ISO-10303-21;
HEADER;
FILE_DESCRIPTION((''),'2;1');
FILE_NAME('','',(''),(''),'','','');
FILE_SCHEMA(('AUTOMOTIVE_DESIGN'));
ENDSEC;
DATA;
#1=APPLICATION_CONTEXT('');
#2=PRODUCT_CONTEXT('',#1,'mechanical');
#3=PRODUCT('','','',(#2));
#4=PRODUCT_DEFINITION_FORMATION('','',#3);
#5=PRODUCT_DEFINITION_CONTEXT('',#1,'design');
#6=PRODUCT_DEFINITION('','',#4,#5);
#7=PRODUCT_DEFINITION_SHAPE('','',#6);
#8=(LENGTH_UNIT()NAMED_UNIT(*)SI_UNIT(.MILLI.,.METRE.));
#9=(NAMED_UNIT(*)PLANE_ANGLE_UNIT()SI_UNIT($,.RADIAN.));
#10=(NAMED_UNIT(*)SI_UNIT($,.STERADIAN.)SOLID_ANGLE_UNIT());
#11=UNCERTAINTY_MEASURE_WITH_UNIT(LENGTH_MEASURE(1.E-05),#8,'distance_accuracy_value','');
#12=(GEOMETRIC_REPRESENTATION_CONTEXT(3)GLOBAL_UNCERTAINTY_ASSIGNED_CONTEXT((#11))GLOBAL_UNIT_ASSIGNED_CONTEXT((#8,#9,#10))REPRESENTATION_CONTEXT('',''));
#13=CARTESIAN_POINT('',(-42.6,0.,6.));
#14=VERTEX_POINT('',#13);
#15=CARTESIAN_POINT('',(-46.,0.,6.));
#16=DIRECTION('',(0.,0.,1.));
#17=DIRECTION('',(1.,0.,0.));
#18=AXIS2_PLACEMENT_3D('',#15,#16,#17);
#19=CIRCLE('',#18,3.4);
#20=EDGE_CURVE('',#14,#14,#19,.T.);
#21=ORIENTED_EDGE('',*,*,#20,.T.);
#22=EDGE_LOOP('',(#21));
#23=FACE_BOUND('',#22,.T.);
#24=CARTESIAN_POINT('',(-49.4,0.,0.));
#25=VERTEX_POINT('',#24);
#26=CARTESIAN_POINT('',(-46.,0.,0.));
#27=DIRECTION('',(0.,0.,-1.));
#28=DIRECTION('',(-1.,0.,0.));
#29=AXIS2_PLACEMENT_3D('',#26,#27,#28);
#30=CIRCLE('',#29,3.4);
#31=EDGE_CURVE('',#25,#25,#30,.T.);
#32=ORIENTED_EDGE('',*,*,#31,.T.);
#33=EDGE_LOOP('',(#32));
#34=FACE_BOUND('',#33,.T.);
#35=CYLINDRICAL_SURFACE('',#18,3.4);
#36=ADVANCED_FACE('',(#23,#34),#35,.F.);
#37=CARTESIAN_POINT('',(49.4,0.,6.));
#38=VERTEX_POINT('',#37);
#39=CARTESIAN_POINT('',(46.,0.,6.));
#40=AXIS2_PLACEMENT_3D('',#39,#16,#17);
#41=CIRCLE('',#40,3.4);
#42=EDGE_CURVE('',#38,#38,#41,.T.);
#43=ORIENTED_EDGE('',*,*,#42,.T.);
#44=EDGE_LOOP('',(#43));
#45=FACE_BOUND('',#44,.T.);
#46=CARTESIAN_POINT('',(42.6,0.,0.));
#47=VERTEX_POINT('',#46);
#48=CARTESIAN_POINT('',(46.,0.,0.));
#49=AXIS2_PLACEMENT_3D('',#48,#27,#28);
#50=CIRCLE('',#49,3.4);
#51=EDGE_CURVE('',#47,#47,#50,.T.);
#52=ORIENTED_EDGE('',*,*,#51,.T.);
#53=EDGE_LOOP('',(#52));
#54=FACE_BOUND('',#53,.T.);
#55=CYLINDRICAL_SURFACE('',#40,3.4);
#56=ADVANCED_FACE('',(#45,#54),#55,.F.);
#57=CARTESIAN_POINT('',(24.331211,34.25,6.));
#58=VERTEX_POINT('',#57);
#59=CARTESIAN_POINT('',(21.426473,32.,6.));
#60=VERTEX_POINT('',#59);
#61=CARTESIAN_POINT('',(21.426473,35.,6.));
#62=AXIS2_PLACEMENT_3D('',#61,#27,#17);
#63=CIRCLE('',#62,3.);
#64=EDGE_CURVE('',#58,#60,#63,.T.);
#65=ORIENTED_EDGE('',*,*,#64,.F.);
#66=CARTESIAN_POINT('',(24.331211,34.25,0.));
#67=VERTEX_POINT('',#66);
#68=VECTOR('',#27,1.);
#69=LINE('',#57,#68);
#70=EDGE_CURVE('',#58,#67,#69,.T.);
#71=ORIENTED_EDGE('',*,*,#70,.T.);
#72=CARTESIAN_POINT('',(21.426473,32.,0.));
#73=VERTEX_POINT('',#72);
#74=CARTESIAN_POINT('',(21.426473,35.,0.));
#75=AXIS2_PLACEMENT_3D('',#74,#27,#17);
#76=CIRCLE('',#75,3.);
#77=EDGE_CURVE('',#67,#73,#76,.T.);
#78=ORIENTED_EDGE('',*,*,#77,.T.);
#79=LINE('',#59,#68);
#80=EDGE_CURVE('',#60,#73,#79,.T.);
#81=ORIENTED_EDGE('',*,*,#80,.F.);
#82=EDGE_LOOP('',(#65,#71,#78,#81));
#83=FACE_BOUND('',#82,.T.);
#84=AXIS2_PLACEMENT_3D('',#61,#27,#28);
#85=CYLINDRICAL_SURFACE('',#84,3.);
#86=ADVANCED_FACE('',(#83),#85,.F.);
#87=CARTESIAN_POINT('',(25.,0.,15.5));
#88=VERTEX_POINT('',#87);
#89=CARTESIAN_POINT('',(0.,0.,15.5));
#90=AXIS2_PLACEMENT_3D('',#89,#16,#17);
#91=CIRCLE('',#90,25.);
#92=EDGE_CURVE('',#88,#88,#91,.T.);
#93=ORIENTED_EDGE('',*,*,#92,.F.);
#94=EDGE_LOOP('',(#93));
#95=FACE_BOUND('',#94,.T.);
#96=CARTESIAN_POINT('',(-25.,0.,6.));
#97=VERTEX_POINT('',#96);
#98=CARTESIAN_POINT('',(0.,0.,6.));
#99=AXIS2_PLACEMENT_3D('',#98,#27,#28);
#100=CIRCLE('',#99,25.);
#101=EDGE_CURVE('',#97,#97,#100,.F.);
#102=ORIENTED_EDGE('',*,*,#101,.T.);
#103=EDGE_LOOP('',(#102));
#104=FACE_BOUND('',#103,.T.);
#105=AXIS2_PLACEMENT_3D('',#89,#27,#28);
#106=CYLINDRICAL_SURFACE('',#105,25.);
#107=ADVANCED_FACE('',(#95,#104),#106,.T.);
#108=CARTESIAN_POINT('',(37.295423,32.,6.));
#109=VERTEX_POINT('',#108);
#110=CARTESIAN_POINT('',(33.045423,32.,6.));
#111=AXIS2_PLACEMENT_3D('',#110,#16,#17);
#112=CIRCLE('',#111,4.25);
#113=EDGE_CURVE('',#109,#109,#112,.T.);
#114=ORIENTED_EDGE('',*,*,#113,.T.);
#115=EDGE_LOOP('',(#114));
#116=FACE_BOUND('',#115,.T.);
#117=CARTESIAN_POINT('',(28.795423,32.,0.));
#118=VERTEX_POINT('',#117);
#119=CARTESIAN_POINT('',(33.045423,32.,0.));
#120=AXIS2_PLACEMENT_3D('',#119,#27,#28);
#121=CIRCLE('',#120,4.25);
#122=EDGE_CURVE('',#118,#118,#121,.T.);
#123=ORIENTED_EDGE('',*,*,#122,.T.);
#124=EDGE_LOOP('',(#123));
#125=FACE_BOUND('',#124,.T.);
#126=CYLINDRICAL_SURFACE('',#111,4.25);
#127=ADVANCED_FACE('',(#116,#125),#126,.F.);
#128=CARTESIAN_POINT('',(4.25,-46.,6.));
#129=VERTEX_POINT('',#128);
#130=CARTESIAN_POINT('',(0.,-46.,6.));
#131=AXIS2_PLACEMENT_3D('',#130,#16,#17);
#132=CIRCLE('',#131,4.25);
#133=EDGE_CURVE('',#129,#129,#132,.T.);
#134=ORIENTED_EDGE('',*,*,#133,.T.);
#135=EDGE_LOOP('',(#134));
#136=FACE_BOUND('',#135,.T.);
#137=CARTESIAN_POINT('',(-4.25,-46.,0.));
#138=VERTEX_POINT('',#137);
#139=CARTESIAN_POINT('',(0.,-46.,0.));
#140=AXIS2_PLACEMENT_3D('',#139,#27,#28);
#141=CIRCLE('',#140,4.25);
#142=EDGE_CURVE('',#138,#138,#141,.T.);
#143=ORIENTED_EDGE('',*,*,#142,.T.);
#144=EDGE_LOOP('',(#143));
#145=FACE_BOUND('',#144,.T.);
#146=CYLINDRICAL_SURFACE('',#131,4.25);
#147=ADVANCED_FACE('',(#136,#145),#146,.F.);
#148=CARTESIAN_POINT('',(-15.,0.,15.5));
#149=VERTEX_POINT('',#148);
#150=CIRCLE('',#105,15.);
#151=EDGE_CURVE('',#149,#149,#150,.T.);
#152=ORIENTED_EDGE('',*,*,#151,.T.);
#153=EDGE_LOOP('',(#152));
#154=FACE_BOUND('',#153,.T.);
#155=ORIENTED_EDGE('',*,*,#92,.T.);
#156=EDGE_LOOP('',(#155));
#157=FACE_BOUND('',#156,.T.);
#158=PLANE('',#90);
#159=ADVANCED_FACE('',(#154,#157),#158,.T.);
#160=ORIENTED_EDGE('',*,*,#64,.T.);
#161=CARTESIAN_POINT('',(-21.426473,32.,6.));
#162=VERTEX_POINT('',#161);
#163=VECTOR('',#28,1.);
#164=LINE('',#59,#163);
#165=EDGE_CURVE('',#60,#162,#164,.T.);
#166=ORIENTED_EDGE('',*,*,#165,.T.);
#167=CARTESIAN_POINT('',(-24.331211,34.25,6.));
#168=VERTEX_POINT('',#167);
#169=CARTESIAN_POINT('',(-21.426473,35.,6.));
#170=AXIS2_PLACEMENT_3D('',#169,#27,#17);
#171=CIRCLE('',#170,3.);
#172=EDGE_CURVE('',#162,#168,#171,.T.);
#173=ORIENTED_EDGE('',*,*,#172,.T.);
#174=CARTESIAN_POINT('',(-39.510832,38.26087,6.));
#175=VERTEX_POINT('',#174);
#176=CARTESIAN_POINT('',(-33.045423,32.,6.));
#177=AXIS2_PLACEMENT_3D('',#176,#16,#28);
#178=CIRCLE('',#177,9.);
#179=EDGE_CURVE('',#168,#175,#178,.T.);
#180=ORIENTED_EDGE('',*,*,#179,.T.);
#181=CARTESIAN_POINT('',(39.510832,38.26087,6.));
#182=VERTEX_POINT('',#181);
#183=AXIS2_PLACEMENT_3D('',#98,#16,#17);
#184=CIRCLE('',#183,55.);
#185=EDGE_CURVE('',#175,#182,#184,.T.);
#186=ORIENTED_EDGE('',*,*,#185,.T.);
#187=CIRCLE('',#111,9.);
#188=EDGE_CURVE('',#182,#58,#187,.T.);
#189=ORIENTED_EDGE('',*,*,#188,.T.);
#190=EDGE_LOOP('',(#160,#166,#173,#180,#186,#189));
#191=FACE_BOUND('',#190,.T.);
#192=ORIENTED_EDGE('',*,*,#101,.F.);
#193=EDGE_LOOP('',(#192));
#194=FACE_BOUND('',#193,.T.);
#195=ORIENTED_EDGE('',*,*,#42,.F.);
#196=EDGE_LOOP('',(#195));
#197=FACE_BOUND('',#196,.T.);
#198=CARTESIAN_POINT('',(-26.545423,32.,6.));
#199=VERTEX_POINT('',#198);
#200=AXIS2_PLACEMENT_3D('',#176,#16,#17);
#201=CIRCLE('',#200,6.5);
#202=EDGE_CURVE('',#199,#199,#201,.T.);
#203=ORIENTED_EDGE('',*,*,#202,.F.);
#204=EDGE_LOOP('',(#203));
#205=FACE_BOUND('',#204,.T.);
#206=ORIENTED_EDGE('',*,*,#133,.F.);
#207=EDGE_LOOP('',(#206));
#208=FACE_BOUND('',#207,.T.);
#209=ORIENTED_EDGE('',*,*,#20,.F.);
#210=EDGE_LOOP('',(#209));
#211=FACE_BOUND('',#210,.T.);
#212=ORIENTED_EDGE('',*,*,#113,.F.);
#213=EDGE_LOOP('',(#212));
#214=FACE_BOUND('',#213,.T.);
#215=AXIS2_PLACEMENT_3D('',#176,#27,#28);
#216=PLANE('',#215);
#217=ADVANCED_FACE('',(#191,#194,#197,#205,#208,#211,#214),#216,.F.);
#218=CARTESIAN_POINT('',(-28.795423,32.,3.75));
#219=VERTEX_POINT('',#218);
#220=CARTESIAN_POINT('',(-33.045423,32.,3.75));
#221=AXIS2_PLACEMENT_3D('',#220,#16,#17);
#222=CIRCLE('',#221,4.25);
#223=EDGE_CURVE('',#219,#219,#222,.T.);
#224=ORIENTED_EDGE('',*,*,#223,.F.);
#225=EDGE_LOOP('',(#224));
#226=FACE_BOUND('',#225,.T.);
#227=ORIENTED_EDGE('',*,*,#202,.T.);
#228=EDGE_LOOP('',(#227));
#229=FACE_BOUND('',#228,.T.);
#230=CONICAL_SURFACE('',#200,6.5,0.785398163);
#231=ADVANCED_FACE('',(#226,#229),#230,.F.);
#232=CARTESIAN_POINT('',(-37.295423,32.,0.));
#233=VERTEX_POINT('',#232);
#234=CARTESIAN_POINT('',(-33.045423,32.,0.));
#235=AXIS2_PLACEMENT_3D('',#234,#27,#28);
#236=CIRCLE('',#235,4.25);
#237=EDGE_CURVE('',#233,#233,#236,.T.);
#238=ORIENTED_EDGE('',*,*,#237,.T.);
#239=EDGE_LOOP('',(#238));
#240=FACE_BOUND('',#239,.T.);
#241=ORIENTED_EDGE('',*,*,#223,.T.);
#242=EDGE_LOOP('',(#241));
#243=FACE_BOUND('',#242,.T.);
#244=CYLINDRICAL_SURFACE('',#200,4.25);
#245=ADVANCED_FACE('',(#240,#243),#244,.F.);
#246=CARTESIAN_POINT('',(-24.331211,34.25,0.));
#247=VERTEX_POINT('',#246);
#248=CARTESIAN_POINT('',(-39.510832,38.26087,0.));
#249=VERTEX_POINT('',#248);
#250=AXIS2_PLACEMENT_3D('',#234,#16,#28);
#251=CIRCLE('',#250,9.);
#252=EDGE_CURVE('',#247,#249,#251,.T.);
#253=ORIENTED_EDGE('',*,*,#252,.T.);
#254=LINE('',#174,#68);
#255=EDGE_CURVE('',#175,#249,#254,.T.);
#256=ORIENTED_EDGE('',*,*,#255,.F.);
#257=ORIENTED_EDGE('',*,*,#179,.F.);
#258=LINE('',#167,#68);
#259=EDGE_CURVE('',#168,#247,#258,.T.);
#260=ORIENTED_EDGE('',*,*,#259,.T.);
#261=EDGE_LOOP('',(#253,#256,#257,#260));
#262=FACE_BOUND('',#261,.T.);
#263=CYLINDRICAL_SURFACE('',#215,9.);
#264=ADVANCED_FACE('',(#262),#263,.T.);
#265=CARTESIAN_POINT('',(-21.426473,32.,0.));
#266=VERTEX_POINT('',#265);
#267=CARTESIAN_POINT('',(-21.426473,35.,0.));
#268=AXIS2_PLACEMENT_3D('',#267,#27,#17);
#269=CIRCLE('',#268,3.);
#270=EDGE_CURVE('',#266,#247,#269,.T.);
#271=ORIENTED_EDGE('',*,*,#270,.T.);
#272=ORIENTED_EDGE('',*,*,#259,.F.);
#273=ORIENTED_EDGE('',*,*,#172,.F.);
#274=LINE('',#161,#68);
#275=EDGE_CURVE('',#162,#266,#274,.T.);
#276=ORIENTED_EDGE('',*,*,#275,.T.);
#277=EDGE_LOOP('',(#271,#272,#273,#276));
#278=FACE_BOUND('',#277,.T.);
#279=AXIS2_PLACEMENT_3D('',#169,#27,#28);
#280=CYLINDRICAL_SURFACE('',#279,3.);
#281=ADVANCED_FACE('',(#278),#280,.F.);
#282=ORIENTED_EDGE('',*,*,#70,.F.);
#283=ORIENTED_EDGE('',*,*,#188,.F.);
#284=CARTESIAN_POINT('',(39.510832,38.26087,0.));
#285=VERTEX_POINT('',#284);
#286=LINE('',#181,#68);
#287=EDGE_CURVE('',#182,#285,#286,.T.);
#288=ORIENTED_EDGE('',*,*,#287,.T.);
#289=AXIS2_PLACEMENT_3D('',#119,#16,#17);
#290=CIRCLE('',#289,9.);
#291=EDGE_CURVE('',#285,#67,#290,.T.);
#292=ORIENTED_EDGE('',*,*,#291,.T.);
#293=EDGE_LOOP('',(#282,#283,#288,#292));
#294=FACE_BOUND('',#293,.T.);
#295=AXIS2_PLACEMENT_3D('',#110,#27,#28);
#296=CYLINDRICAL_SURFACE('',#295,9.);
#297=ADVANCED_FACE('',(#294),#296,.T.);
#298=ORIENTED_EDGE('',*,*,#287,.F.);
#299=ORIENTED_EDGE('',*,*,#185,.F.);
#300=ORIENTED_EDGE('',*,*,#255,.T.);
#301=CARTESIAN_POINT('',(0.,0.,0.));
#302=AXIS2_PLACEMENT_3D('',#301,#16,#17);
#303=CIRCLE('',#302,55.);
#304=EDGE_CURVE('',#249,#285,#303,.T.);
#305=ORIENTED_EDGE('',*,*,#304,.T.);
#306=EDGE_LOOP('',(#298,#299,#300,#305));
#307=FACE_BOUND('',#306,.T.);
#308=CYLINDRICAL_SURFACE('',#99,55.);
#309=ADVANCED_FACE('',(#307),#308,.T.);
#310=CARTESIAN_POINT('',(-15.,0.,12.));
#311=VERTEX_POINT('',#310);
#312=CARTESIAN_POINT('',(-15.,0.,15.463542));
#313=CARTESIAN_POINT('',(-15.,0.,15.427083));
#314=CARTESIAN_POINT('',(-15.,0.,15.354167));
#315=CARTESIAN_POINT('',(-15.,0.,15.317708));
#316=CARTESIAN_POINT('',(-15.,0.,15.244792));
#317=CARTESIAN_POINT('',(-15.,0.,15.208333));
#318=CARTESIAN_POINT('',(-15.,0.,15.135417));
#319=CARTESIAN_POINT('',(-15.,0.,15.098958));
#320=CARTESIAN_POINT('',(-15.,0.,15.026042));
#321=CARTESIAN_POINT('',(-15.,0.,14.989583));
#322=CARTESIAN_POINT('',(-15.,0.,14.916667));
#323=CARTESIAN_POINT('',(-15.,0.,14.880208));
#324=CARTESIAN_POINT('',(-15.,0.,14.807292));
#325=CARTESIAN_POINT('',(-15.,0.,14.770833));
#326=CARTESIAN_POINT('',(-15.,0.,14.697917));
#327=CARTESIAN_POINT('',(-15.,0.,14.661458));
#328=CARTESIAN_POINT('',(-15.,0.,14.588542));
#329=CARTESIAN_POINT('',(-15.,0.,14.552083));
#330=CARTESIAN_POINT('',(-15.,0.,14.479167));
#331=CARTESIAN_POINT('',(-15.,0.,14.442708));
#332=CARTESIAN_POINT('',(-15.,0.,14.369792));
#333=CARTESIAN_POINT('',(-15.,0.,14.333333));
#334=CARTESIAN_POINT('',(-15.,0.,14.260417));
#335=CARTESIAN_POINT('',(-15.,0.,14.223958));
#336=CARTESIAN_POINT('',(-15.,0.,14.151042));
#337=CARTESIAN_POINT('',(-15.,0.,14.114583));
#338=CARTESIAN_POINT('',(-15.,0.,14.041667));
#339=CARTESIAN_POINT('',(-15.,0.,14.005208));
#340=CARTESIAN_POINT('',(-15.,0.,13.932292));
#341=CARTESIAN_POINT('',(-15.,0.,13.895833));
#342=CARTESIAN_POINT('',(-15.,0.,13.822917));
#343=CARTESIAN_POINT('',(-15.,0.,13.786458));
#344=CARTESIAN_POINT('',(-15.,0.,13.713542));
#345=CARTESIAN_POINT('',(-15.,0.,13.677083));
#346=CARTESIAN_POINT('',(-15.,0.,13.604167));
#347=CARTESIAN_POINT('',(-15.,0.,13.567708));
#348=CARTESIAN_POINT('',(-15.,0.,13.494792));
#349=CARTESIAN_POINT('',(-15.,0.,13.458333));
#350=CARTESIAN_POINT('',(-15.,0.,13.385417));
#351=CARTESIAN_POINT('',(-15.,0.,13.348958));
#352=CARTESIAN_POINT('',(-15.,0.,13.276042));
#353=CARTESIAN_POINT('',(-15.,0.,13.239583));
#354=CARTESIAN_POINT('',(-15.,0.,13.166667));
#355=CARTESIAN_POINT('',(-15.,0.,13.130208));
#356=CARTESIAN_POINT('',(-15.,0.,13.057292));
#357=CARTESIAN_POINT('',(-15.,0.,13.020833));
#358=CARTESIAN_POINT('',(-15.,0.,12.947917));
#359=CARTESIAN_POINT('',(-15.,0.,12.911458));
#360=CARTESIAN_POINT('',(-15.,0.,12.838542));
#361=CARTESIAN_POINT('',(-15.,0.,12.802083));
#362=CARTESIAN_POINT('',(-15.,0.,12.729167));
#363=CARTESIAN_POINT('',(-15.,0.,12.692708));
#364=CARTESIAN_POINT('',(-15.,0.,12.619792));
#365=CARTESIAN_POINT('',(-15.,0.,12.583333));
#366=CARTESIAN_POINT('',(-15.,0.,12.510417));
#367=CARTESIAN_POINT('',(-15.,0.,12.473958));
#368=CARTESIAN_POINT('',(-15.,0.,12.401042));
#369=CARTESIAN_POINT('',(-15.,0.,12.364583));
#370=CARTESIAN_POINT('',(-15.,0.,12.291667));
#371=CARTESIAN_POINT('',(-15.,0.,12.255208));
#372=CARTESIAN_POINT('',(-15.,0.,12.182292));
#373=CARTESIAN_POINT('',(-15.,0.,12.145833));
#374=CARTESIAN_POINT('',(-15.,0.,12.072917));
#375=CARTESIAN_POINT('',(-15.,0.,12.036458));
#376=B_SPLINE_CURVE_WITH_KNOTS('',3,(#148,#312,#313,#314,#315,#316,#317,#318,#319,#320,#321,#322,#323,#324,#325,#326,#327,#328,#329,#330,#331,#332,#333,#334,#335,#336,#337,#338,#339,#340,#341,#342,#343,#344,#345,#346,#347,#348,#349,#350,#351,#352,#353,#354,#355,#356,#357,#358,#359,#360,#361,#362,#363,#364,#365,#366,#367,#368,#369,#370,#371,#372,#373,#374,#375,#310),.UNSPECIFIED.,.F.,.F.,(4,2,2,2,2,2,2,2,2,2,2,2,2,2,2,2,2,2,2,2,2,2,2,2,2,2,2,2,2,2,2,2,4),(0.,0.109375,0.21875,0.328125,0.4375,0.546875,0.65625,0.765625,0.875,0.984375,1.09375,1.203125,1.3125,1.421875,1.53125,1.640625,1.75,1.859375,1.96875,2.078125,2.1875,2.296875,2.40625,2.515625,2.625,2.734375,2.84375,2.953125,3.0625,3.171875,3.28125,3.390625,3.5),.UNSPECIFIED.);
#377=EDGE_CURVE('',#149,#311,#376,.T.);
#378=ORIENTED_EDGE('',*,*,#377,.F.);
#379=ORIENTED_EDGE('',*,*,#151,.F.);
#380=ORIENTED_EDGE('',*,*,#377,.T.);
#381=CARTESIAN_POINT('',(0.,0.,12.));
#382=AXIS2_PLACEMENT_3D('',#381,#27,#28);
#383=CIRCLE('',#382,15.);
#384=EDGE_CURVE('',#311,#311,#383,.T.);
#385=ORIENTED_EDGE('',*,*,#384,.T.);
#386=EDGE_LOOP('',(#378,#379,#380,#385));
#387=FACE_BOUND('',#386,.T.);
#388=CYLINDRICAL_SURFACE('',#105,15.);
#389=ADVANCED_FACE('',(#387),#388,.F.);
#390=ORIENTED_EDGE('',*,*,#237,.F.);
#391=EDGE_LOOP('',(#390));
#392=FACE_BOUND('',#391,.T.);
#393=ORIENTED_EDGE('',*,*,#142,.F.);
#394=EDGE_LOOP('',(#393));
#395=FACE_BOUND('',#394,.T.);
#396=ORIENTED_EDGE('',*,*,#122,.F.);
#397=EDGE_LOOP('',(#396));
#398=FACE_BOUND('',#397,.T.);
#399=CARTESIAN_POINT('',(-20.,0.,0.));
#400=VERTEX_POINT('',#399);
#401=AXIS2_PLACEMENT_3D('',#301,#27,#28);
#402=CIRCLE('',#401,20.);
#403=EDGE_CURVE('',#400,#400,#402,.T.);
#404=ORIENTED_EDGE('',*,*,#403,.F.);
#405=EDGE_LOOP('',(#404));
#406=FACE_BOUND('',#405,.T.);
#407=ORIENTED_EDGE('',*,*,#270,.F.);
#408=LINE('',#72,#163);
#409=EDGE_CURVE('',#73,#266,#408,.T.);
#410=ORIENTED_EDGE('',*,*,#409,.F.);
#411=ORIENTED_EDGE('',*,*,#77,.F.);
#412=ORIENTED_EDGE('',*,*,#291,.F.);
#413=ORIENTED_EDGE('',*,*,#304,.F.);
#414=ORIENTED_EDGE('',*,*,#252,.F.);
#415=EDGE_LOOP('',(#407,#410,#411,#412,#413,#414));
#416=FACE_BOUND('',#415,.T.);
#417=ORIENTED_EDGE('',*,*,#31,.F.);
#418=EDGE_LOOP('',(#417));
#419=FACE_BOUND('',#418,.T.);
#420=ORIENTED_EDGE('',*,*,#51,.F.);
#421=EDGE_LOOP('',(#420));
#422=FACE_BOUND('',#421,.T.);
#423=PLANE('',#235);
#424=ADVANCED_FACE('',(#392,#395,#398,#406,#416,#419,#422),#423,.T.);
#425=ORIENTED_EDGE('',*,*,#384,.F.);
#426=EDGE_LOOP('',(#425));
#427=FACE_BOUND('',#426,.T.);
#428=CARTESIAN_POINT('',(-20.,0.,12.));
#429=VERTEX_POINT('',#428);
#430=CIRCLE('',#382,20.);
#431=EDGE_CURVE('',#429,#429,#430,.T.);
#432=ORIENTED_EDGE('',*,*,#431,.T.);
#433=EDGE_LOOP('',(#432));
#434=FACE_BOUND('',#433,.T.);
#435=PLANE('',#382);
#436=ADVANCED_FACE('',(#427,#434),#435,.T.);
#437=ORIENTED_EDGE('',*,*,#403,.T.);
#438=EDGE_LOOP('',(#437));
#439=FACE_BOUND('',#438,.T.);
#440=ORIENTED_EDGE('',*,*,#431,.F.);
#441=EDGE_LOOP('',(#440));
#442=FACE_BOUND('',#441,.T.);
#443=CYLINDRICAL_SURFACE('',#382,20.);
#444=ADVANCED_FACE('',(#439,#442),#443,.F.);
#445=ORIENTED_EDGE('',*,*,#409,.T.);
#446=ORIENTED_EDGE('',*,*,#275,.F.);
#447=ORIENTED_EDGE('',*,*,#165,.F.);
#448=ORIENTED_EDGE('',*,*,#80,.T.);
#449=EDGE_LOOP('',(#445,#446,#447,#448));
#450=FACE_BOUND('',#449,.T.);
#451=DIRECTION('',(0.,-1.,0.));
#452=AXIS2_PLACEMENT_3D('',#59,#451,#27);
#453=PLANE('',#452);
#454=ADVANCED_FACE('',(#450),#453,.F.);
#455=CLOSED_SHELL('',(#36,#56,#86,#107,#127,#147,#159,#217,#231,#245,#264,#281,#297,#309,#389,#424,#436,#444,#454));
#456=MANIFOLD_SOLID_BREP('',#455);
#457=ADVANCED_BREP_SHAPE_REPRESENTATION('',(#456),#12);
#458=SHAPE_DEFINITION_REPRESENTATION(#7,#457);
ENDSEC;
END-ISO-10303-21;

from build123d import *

# Parameters (mm, degrees)
EXTRUDE_1_DEPTH     = 6
SKETCH_2_R          = 25
EXTRUDE_2_DEPTH     = 9.5
SKETCH_3_R          = 20
CUT_EXTRUDE_1_DEPTH = 12
SKETCH_4_R          = 15
CUT_EXTRUDE_2_DEPTH = 79.70196948
HOLE_WIZARD_1_D     = 8.5
HOLE_WIZARD_1_DEPTH = 93.98
HOLE_WIZARD_M8_1_D  = 6.8


with BuildPart() as part:
    # 草图1 → 凸台-拉伸1 (new body)
    with BuildSketch(Plane.XY):
        with BuildLine():
            Line((21.426473245, 32), (-21.426473245, 32))
            ThreePointArc((-21.426473245, 32), (-23.263590552, 32.628291755), (-24.331210755, 34.25))
            ThreePointArc((-24.331210755, 34.25), (-30.746282552, 40.701376437), (-39.510832187, 38.260869565))
            ThreePointArc((-39.510832187, 38.260869565), (0, -55), (39.510832187, 38.260869565))
            ThreePointArc((39.510832187, 38.260869565), (30.746282552, 40.701376437), (24.331210755, 34.25))
            ThreePointArc((24.331210755, 34.25), (23.263590552, 32.628291755), (21.426473245, 32))
        make_face()
    extrude(amount=EXTRUDE_1_DEPTH)

    # 草图2 → 凸台-拉伸2 (add)
    with BuildSketch(Plane.XY.offset(6)):
        with Locations(Location((0, 0, 0), (0, 0, 180))):
            Circle(SKETCH_2_R)
    extrude(amount=EXTRUDE_2_DEPTH)

    # 草图3 → 切除-拉伸1 (cut)
    with BuildSketch(Plane(origin=(0, 0, 0), x_dir=(-1, 0, 0), z_dir=(0, 0, -1))):
        Circle(SKETCH_3_R)
    extrude(amount=-CUT_EXTRUDE_1_DEPTH, mode=Mode.SUBTRACT)

    # 草图4 → 切除-拉伸2 (cut, through all)
    with BuildSketch(Plane(origin=(0, 0, 12), x_dir=(-1, 0, 0), z_dir=(0, 0, -1))):
        Circle(SKETCH_4_R)
    extrude(amount=-CUT_EXTRUDE_2_DEPTH, mode=Mode.SUBTRACT)

    # 孔1
    with Locations(Plane.XY.offset(6)):
        with Locations((33.045423284, 32), (0, -46)):
            Hole(HOLE_WIZARD_1_D / 2, depth=HOLE_WIZARD_1_DEPTH)

    # M8 螺纹孔1 (through all)
    with Locations(Plane.XY.offset(6)):
        with Locations((46, 0), (-46, 0)):
            Hole(HOLE_WIZARD_M8_1_D / 2)

    # 草图11 → Ø8.5 (8.5) 直径孔1 (revolve, cut)
    with BuildSketch(Plane(origin=(-33.045423284, 32, 6), x_dir=(0, -1, 0), z_dir=(1, 0, 0))):
        Polygon((0, 0), (0, 6), (4.25, 6), (4.25, 2.25), (6.5, 0), align=None)
    revolve(axis=Axis((-33.045423284, 32, 12.35), (0, 0, -1)), mode=Mode.SUBTRACT)


solid = part.part
